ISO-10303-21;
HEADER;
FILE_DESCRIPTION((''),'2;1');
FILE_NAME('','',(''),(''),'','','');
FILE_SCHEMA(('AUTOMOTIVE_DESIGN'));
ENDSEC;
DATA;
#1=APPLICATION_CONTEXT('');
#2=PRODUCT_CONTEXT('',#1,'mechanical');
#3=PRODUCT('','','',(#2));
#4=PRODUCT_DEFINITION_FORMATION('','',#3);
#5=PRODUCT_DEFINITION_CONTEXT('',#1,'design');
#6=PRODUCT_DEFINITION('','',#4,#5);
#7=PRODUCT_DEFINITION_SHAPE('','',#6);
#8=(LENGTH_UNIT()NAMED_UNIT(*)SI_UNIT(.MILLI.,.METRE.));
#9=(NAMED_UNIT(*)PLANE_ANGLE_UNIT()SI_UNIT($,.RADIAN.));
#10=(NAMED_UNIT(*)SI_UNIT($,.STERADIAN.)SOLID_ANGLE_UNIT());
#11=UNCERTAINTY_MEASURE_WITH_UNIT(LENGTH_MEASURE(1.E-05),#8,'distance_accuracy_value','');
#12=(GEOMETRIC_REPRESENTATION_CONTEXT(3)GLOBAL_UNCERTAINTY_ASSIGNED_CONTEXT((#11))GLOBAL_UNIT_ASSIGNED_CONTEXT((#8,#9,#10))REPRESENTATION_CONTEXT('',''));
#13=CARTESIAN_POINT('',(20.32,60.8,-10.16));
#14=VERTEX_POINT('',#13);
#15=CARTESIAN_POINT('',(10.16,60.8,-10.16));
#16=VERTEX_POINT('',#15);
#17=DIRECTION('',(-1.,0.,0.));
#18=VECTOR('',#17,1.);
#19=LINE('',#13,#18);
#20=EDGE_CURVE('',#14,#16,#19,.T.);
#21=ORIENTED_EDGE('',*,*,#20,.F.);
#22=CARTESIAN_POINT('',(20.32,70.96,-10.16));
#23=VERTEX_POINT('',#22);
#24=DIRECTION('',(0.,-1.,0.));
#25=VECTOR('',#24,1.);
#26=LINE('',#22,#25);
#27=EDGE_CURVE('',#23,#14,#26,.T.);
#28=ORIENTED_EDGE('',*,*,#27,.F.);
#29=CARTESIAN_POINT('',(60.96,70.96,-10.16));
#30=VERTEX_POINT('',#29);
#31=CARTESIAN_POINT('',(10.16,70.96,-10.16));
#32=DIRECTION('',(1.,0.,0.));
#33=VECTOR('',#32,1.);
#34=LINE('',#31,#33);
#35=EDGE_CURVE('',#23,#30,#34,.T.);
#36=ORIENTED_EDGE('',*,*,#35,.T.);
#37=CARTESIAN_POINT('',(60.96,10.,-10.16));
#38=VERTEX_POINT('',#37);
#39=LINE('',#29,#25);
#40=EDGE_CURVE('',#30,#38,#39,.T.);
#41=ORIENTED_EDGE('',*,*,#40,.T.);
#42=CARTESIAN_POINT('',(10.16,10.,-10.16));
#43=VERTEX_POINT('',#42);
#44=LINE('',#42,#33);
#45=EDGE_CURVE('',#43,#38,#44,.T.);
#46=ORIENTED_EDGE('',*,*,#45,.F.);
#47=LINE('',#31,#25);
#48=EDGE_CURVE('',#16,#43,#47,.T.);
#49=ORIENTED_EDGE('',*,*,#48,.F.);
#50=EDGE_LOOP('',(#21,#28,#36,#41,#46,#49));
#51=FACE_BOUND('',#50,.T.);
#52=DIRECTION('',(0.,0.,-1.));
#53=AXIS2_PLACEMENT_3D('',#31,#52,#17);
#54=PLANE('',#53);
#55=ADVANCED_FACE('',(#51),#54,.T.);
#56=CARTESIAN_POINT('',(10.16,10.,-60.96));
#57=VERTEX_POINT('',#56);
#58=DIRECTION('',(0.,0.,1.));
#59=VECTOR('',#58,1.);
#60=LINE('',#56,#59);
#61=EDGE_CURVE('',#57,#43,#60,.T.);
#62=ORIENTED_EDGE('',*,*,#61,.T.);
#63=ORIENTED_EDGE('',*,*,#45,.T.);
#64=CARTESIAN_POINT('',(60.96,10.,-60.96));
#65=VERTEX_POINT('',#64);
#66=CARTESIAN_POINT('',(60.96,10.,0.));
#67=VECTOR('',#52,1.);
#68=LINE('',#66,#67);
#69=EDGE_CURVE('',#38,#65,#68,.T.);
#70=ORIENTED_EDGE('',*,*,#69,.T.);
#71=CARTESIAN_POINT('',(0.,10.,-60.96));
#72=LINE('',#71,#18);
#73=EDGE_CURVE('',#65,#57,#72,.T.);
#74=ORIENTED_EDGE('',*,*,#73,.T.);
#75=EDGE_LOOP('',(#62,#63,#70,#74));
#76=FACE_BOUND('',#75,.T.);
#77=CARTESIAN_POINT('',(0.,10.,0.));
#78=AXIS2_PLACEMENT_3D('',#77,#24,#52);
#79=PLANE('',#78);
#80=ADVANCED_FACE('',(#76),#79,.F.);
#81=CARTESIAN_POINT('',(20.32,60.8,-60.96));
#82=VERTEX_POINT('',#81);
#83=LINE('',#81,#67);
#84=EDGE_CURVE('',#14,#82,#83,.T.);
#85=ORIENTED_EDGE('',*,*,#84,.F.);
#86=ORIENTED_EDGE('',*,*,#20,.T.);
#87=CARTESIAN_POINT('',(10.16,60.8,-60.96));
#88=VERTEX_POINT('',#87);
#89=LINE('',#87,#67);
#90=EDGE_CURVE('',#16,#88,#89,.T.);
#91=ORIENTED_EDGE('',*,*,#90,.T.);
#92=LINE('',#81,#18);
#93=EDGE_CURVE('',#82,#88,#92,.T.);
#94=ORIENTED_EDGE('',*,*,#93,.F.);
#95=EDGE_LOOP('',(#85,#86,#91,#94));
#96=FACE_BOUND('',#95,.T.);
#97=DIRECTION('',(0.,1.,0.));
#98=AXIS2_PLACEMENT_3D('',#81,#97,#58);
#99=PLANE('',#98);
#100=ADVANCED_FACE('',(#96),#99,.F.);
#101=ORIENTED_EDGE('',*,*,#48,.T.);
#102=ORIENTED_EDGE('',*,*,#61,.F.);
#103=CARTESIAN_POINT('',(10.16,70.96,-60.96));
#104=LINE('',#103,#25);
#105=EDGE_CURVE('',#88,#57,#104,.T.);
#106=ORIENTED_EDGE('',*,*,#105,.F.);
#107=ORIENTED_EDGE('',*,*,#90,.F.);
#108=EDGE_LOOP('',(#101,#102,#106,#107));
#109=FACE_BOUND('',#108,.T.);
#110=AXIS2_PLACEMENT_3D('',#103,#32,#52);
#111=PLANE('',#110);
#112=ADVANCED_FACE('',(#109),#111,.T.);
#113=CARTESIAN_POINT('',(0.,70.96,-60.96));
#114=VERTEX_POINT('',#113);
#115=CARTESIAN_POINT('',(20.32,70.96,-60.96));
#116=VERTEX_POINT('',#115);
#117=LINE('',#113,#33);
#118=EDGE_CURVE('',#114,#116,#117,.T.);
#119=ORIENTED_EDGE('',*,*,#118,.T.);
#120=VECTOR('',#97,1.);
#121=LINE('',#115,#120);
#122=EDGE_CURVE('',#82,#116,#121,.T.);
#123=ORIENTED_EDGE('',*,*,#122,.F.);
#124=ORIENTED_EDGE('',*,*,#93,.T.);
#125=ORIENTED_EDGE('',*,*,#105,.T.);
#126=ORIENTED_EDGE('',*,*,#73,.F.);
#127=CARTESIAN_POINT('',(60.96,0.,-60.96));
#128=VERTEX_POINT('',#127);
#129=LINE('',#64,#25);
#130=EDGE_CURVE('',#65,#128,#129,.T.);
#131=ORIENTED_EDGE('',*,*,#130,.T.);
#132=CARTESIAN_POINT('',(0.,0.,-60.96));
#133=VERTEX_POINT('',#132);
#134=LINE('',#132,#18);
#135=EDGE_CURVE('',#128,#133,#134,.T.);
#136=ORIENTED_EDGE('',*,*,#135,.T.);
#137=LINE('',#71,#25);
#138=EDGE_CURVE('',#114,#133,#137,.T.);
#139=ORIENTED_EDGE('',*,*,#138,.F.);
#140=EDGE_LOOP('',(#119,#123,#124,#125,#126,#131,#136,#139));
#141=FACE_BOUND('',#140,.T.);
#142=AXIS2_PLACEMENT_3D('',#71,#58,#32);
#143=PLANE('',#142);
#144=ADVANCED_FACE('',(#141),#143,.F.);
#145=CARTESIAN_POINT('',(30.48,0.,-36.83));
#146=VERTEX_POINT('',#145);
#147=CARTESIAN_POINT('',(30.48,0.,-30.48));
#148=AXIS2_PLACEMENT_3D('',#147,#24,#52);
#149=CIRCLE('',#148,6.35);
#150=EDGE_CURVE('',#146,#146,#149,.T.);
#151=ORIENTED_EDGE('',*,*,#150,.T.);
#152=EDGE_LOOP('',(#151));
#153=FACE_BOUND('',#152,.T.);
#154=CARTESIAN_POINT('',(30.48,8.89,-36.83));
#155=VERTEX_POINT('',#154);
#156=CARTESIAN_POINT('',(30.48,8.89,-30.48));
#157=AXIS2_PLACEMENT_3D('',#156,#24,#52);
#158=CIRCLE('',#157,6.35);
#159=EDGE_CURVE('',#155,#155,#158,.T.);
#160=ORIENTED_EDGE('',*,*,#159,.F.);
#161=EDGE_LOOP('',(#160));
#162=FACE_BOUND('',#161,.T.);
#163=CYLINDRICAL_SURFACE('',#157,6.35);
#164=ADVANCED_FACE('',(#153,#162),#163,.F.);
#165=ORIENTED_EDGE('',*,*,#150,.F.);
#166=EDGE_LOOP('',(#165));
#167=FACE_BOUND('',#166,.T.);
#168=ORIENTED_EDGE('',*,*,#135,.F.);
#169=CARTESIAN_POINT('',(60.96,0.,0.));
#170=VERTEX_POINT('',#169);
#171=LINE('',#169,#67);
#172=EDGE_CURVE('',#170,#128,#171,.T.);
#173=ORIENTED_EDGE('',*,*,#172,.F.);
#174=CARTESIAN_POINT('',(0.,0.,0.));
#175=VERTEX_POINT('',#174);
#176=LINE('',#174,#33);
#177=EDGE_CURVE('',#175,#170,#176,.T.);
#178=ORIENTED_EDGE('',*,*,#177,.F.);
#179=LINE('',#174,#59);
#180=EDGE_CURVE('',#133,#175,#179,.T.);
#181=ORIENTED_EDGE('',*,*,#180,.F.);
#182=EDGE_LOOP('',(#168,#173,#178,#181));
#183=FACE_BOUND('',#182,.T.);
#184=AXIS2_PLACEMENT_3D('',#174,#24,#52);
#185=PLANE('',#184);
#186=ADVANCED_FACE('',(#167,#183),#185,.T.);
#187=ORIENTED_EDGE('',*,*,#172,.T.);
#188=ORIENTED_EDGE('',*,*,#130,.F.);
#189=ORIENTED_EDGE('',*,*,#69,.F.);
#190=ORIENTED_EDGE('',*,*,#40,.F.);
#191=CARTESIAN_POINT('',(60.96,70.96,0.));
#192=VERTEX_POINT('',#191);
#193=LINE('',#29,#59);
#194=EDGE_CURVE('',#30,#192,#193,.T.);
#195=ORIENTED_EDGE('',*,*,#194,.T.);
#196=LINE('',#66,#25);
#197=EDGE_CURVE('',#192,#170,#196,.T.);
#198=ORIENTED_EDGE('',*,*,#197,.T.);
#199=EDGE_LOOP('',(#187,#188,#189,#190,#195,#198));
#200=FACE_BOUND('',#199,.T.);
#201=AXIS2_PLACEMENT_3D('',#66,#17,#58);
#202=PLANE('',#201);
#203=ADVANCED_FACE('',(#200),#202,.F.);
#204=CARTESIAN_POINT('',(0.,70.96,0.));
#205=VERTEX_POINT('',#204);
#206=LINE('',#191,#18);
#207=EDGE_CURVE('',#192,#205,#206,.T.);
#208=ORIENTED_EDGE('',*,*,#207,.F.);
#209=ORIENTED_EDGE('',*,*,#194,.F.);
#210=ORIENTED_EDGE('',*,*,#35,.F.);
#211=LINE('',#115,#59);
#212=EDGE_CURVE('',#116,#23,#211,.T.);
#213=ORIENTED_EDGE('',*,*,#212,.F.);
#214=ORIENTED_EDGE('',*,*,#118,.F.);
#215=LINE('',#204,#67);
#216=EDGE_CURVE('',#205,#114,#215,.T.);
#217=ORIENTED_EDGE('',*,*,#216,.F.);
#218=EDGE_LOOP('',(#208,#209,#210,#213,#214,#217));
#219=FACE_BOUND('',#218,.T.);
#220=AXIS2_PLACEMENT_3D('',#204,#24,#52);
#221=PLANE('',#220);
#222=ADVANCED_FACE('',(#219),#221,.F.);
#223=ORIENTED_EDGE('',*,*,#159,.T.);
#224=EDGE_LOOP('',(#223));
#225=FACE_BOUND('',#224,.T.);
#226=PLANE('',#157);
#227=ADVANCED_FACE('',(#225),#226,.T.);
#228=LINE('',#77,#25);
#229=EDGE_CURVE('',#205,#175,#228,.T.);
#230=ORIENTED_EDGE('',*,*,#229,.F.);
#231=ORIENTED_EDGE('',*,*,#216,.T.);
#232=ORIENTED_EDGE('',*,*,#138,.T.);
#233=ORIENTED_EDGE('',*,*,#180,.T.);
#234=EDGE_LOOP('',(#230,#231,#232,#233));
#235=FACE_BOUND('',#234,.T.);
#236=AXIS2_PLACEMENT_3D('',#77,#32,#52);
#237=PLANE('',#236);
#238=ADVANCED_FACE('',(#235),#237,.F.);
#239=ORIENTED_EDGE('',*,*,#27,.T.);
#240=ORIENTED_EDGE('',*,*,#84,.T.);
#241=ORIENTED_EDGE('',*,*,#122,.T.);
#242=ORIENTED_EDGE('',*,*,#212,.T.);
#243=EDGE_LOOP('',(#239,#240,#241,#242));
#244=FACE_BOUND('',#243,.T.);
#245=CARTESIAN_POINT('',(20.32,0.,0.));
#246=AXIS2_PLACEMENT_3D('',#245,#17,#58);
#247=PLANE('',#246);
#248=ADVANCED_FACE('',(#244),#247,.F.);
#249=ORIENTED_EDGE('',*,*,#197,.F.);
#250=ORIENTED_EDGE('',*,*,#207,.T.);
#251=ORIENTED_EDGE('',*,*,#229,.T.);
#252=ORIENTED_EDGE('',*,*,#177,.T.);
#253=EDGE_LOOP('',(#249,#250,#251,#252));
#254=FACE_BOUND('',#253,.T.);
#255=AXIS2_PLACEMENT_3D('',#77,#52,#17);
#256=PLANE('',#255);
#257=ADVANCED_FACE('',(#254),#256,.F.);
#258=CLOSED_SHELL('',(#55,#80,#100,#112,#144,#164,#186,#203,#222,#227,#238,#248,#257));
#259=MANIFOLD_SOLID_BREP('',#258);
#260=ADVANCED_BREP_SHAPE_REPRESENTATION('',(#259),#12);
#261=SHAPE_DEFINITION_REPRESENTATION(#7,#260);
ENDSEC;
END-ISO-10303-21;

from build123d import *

# Parameters (mm, degrees)
SKETCH1_W           = 60.96
SKETCH1_H           = 60.96
BOSS_EXTRUDE1_DEPTH = 10
BOSS_EXTRUDE2_DEPTH = 60.96
SKETCH5_W           = 50.8
SKETCH5_H           = 10.16
BOSS_EXTRUDE3_DEPTH = 10.16
SKETCH6_R           = 6.35
CUT_EXTRUDE1_DEPTH  = 8.89


with BuildPart() as part:
    # Sketch1 → Boss-Extrude1 (new body)
    with BuildSketch(Plane(origin=(0, 0, 0), x_dir=(1, 0, 0), z_dir=(0, 1, 0))):
        with Locations((30.48, 30.48)):
            Rectangle(SKETCH1_W, SKETCH1_H)
    extrude(amount=BOSS_EXTRUDE1_DEPTH)

    # Sketch2 → Boss-Extrude2 (add)
    with BuildSketch(Plane(origin=(0, 10, 0), x_dir=(1, 0, 0), z_dir=(0, 1, 0))):
        Polygon((0, 60.96), (10.16, 60.96), (10.16, 10.16), (60.96, 10.16), (60.96, 0), (0, 0), align=None)
    extrude(amount=BOSS_EXTRUDE2_DEPTH)

    # Sketch5 → Boss-Extrude3 (add)
    with BuildSketch(Plane(origin=(10.16, 0, 0), x_dir=(0, 0, -1), z_dir=(1, 0, 0))):
        with Locations((35.56, 65.88)):
            Rectangle(SKETCH5_W, SKETCH5_H)
    extrude(amount=BOSS_EXTRUDE3_DEPTH)

    # Sketch6 → Cut-Extrude1 (cut)
    with BuildSketch(Plane.XZ):
        with Locations((30.48, -30.48)):
            Circle(SKETCH6_R)
    extrude(amount=-CUT_EXTRUDE1_DEPTH, mode=Mode.SUBTRACT)


solid = part.part
